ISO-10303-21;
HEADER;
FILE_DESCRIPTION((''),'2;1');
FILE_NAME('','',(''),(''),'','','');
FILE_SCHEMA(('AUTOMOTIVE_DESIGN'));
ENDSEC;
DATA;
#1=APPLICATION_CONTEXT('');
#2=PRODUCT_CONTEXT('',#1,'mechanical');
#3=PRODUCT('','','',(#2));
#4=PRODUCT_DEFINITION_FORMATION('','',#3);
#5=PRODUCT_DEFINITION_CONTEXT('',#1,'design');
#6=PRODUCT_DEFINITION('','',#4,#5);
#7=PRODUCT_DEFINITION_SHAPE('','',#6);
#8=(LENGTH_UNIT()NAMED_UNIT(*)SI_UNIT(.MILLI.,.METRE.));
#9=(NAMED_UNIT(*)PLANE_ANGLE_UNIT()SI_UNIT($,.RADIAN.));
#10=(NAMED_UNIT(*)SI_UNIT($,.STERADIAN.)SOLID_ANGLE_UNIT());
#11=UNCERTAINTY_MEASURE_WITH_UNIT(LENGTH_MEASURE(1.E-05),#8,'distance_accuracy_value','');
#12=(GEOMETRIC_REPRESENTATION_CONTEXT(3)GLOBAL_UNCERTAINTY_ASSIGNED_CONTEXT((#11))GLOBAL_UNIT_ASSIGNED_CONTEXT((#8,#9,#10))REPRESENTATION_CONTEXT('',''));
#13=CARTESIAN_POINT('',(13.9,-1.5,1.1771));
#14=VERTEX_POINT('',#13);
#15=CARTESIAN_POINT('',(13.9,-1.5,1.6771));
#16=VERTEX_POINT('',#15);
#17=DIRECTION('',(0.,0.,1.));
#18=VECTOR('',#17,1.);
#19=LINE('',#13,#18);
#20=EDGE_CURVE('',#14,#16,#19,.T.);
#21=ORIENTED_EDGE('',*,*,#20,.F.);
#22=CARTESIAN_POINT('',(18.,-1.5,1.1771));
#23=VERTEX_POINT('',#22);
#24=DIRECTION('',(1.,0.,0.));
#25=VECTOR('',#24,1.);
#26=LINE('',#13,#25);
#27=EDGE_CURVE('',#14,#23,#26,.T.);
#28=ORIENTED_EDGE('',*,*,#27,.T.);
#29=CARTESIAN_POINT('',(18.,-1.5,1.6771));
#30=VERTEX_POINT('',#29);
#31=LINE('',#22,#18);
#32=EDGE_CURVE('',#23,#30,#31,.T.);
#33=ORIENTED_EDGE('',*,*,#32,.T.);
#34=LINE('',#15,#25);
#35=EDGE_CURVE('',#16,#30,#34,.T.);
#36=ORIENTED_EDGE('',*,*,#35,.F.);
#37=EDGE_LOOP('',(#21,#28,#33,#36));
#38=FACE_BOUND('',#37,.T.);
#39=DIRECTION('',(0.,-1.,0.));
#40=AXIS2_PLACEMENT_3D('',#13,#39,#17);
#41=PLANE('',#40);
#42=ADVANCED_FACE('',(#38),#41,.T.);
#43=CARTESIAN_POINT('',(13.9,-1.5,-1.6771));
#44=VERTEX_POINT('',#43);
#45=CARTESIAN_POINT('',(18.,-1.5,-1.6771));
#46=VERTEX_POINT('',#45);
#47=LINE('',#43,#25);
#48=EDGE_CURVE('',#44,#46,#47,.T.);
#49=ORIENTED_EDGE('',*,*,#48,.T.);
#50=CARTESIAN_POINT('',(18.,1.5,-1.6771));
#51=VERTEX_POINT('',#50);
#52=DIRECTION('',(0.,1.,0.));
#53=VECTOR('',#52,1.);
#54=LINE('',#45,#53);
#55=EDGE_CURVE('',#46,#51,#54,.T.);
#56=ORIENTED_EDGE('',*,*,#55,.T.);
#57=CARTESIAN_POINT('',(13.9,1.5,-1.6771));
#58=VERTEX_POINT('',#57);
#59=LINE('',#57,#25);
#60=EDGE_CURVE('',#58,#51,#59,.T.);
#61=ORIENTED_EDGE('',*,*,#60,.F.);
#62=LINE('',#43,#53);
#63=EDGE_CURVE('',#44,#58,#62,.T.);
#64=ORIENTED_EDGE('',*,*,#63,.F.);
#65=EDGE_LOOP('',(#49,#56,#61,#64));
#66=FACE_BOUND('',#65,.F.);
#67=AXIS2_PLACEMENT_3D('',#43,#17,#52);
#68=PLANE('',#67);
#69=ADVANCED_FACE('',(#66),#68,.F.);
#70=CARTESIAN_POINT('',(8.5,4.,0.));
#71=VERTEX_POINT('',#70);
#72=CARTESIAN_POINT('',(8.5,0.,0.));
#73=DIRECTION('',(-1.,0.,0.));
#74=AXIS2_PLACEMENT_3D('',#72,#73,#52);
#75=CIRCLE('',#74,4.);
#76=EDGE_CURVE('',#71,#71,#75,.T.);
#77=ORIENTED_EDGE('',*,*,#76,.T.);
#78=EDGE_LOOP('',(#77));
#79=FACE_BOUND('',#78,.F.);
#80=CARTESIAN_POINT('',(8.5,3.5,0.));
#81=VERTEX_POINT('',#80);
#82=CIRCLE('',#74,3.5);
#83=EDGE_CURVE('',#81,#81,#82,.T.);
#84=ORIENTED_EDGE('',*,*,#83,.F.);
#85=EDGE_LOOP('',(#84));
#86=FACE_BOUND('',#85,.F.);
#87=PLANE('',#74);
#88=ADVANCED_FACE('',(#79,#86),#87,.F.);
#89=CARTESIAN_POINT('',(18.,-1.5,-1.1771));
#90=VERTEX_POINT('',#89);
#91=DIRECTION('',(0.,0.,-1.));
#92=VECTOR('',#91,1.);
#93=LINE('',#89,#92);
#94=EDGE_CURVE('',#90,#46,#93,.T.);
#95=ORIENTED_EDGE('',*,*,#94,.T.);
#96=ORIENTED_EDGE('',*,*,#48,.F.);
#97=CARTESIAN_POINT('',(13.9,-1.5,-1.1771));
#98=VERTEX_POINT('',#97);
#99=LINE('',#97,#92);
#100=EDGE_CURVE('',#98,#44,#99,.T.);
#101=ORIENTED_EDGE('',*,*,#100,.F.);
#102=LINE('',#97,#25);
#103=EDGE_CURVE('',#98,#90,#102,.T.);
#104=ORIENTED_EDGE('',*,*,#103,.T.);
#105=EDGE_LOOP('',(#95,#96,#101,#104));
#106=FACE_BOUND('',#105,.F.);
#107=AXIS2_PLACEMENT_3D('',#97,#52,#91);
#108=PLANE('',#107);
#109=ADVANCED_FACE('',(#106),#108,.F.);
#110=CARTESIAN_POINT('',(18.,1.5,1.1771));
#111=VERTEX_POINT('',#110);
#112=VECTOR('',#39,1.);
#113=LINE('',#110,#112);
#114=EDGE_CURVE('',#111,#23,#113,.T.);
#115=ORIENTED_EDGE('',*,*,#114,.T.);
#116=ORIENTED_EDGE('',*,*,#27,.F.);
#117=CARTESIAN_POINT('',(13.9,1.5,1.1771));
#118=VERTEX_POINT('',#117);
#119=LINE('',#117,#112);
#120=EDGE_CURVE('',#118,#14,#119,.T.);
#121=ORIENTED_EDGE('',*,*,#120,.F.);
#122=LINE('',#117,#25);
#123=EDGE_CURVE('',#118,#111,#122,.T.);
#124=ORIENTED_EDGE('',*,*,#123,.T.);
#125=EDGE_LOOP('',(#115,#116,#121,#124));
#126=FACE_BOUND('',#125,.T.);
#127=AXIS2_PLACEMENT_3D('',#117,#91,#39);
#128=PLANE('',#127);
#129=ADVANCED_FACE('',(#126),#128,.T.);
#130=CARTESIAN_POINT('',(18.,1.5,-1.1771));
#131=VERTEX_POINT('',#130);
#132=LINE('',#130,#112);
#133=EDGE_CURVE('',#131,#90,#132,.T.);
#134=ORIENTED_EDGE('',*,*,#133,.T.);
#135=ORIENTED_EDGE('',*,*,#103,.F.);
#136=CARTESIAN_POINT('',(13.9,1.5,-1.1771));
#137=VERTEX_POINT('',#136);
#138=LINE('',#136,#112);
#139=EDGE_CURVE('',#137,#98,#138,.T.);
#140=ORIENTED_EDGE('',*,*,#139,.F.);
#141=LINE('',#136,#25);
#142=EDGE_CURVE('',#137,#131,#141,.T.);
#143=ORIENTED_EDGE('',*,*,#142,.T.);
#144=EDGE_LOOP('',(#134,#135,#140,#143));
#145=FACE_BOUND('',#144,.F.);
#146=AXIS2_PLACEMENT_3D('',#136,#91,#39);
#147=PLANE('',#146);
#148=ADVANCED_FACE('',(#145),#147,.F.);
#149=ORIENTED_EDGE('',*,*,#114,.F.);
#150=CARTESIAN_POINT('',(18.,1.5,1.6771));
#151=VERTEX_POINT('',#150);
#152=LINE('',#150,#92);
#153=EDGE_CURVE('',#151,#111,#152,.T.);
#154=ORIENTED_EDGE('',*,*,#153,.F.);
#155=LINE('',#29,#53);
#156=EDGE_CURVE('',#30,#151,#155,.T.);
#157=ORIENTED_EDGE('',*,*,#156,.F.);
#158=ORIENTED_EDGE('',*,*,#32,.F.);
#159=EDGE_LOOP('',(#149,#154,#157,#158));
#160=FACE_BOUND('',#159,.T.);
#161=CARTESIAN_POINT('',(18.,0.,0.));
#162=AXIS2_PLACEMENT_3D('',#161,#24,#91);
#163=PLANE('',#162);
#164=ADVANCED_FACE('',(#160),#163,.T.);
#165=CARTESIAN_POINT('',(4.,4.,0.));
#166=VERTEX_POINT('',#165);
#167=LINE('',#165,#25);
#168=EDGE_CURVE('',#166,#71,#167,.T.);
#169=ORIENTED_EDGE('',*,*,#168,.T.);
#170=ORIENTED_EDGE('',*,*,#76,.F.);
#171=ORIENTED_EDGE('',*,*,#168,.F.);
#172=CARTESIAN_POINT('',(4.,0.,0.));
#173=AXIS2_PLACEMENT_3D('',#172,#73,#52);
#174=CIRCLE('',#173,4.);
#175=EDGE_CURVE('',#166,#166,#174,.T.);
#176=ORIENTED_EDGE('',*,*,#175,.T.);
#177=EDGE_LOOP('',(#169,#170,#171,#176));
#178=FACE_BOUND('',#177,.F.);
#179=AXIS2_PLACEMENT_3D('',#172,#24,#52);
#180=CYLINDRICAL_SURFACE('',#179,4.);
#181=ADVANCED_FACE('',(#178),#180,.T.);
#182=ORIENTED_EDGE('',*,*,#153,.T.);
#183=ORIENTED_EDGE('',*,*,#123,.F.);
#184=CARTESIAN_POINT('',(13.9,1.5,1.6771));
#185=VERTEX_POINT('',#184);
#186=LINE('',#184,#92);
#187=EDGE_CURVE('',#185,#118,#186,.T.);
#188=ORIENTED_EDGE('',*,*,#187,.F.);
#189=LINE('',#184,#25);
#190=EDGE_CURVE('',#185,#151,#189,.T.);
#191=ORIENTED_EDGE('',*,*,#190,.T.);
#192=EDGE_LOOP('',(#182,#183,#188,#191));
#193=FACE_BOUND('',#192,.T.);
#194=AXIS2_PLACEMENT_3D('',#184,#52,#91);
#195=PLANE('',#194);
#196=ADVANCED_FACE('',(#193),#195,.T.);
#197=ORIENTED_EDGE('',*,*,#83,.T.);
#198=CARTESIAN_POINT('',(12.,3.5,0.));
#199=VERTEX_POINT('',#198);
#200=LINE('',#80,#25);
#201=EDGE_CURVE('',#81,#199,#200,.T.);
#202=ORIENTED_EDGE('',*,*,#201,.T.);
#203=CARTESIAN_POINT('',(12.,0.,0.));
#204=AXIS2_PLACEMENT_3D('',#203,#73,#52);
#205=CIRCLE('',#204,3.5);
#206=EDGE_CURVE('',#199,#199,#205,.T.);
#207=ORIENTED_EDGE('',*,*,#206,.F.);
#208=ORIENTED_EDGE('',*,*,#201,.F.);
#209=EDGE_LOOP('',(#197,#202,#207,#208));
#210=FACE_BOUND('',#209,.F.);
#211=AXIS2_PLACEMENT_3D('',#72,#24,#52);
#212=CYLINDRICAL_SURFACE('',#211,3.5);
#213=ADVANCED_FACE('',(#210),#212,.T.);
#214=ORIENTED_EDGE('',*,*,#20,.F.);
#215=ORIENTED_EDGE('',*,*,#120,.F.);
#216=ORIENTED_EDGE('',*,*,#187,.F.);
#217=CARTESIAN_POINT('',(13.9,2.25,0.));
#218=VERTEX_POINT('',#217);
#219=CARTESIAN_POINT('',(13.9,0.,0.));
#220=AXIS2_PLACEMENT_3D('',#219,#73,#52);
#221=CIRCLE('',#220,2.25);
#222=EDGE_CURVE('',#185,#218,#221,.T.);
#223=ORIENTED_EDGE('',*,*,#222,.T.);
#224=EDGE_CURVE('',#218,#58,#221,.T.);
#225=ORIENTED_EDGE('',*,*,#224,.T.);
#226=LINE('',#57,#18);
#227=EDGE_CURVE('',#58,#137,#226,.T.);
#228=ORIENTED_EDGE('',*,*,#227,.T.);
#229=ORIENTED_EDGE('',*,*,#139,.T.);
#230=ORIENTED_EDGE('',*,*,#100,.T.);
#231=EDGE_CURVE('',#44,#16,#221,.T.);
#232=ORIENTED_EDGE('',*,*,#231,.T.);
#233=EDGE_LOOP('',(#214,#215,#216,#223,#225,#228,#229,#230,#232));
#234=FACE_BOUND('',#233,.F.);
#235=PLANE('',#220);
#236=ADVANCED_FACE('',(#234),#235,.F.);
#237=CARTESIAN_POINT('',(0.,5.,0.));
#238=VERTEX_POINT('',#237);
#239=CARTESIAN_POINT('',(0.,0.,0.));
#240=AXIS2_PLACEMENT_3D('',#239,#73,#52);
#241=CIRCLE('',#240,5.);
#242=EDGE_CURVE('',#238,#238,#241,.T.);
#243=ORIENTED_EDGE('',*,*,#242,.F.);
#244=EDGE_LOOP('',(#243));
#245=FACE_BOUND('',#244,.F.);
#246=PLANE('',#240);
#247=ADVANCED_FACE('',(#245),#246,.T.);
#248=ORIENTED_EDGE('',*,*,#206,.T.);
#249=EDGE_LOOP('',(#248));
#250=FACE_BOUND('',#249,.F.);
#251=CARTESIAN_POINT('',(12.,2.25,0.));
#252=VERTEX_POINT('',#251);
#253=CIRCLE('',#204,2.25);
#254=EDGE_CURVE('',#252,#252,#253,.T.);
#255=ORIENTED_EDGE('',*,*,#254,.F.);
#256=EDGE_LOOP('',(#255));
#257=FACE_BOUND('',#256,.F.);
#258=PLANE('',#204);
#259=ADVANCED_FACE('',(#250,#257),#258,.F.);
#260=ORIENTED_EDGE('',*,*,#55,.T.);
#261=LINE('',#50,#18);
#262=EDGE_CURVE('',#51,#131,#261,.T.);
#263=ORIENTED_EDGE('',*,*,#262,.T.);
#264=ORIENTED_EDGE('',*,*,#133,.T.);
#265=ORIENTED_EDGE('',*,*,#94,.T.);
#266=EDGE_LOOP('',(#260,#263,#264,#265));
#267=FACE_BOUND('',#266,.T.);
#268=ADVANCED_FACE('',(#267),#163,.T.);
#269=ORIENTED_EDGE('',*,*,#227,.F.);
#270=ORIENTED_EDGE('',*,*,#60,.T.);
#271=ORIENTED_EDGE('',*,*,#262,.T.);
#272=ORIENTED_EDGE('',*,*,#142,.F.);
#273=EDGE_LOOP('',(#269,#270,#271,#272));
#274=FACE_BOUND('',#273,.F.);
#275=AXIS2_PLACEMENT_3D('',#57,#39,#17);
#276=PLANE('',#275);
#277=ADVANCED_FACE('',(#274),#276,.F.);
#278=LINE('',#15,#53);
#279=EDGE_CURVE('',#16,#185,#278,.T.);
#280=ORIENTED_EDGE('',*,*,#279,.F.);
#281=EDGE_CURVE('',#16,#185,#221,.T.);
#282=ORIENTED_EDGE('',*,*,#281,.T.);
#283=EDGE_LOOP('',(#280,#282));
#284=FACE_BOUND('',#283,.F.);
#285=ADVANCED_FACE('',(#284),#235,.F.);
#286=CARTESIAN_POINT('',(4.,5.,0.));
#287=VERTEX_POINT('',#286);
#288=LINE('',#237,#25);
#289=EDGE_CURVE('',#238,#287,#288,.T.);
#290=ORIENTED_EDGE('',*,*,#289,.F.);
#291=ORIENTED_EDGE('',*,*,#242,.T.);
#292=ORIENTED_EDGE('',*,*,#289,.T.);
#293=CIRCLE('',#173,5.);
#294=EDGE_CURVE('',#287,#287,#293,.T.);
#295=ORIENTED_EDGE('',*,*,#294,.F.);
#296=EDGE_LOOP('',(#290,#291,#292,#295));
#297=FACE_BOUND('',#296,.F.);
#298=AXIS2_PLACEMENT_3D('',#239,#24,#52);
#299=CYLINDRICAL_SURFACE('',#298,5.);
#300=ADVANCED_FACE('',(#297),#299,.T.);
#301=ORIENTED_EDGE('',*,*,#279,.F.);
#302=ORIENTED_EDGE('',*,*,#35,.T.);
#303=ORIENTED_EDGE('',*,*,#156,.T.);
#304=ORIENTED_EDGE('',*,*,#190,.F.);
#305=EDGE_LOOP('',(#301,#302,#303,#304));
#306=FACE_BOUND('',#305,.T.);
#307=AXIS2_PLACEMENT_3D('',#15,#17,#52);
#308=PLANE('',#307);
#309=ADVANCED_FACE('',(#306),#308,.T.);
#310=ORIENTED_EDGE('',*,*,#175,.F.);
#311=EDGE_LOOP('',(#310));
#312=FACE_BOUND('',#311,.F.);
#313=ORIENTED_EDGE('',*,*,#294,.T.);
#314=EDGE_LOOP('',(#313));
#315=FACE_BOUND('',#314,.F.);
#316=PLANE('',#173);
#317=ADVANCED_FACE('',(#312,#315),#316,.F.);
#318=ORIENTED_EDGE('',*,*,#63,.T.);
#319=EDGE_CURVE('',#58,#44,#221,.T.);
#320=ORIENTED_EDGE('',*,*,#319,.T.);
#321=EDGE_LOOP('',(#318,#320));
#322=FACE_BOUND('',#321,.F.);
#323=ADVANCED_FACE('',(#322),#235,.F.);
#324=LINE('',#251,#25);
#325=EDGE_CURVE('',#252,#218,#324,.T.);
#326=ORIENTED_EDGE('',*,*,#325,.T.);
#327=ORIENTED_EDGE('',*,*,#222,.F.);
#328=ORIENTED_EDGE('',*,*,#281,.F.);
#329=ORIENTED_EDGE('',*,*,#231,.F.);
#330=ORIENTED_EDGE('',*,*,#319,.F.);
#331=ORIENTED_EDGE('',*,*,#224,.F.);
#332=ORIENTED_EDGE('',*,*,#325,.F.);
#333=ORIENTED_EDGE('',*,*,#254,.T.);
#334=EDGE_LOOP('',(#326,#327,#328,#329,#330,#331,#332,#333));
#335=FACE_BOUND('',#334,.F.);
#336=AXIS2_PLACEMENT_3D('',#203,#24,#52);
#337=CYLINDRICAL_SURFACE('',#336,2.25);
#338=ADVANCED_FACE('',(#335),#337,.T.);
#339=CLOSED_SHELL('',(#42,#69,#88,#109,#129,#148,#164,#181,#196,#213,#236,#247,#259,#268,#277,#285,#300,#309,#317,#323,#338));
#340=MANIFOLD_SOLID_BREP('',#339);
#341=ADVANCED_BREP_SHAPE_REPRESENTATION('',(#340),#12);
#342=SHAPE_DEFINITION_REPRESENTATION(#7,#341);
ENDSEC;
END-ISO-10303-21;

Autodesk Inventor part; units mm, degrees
ref_plane "YZ Plane" through (0, 0, 0) normal (1, 0, 0) x (0, 1, 0)
ref_plane "XZ Plane" through (0, 0, 0) normal (0, 1, 0) x (-1, 0, 0)
ref_plane "XY Plane" through (0, 0, 0) normal (0, 0, 1) x (1, 0, 0)
sketch "スケッチ1" plane through (0, 0, 0) normal (0, 0, 1) x (1, 0, 0)
  line L0 (0, 0) -> (0, 5)
  line L1 (0, 5) -> (4, 5)
  line L2 (4, 5) -> (4, 4)
  line L3 (4, 4) -> (8.5, 4)
  line L4 (8.5, 4) -> (8.5, 3.5)
  line L5 (8.5, 3.5) -> (12, 3.5)
  line L6 (12, 3.5) -> (12, 2.25)
  line L7 (12, 2.25) -> (13.9, 2.25)
  line L8 (13.9, 2.25) -> (13.9, 0)
  line L9 (13.9, 0) -> (0, 0)
  dimension "d0" = 4
  dimension "d1" = 4.5
  dimension "d2" = 8
  dimension "d3" = 1.9
  dimension "d4" = 5
  dimension "d5" = 4
  dimension "d6" = 3.5
  dimension "d7" = 2.25
revolve "回転1" add sketch "スケッチ1" angle 360 about axis through (13.9, 0, 0) along (-1, 0, 0)
sketch "スケッチ2" plane through (13.9, 0, 0) normal (1, 0, 0) x (0, 0, -1)
  circle A0 centre (0, 0) radius 2.25 projected
  line L0 (-1.6771, 1.5) -> (-1.1771, 1.5)
  line L1 (-1.1771, 1.5) -> (-1.1771, -1.5)
  line L2 (-1.1771, -1.5) -> (-1.6771, -1.5)
  line L3 (-1.6771, -1.5) -> (-1.6771, 1.5)
  line L4 (1.6771, 1.5) -> (1.1771, 1.5)
  line L5 (1.1771, 1.5) -> (1.1771, -1.5)
  line L6 (1.1771, -1.5) -> (1.6771, -1.5)
  line L7 (1.6771, -1.5) -> (1.6771, 1.5)
  point P0 (-1.1771, 0)
  point P1 (1.1771, 0)
  dimension "d9" = 3
  dimension "d10" = 0.5
extrude "押し出し1" add sketch "スケッチ2" along normal blind 4.1 contours L7 L6 L5 L4 | L0 L1 L2 L3
properties part number "MJ-14"
